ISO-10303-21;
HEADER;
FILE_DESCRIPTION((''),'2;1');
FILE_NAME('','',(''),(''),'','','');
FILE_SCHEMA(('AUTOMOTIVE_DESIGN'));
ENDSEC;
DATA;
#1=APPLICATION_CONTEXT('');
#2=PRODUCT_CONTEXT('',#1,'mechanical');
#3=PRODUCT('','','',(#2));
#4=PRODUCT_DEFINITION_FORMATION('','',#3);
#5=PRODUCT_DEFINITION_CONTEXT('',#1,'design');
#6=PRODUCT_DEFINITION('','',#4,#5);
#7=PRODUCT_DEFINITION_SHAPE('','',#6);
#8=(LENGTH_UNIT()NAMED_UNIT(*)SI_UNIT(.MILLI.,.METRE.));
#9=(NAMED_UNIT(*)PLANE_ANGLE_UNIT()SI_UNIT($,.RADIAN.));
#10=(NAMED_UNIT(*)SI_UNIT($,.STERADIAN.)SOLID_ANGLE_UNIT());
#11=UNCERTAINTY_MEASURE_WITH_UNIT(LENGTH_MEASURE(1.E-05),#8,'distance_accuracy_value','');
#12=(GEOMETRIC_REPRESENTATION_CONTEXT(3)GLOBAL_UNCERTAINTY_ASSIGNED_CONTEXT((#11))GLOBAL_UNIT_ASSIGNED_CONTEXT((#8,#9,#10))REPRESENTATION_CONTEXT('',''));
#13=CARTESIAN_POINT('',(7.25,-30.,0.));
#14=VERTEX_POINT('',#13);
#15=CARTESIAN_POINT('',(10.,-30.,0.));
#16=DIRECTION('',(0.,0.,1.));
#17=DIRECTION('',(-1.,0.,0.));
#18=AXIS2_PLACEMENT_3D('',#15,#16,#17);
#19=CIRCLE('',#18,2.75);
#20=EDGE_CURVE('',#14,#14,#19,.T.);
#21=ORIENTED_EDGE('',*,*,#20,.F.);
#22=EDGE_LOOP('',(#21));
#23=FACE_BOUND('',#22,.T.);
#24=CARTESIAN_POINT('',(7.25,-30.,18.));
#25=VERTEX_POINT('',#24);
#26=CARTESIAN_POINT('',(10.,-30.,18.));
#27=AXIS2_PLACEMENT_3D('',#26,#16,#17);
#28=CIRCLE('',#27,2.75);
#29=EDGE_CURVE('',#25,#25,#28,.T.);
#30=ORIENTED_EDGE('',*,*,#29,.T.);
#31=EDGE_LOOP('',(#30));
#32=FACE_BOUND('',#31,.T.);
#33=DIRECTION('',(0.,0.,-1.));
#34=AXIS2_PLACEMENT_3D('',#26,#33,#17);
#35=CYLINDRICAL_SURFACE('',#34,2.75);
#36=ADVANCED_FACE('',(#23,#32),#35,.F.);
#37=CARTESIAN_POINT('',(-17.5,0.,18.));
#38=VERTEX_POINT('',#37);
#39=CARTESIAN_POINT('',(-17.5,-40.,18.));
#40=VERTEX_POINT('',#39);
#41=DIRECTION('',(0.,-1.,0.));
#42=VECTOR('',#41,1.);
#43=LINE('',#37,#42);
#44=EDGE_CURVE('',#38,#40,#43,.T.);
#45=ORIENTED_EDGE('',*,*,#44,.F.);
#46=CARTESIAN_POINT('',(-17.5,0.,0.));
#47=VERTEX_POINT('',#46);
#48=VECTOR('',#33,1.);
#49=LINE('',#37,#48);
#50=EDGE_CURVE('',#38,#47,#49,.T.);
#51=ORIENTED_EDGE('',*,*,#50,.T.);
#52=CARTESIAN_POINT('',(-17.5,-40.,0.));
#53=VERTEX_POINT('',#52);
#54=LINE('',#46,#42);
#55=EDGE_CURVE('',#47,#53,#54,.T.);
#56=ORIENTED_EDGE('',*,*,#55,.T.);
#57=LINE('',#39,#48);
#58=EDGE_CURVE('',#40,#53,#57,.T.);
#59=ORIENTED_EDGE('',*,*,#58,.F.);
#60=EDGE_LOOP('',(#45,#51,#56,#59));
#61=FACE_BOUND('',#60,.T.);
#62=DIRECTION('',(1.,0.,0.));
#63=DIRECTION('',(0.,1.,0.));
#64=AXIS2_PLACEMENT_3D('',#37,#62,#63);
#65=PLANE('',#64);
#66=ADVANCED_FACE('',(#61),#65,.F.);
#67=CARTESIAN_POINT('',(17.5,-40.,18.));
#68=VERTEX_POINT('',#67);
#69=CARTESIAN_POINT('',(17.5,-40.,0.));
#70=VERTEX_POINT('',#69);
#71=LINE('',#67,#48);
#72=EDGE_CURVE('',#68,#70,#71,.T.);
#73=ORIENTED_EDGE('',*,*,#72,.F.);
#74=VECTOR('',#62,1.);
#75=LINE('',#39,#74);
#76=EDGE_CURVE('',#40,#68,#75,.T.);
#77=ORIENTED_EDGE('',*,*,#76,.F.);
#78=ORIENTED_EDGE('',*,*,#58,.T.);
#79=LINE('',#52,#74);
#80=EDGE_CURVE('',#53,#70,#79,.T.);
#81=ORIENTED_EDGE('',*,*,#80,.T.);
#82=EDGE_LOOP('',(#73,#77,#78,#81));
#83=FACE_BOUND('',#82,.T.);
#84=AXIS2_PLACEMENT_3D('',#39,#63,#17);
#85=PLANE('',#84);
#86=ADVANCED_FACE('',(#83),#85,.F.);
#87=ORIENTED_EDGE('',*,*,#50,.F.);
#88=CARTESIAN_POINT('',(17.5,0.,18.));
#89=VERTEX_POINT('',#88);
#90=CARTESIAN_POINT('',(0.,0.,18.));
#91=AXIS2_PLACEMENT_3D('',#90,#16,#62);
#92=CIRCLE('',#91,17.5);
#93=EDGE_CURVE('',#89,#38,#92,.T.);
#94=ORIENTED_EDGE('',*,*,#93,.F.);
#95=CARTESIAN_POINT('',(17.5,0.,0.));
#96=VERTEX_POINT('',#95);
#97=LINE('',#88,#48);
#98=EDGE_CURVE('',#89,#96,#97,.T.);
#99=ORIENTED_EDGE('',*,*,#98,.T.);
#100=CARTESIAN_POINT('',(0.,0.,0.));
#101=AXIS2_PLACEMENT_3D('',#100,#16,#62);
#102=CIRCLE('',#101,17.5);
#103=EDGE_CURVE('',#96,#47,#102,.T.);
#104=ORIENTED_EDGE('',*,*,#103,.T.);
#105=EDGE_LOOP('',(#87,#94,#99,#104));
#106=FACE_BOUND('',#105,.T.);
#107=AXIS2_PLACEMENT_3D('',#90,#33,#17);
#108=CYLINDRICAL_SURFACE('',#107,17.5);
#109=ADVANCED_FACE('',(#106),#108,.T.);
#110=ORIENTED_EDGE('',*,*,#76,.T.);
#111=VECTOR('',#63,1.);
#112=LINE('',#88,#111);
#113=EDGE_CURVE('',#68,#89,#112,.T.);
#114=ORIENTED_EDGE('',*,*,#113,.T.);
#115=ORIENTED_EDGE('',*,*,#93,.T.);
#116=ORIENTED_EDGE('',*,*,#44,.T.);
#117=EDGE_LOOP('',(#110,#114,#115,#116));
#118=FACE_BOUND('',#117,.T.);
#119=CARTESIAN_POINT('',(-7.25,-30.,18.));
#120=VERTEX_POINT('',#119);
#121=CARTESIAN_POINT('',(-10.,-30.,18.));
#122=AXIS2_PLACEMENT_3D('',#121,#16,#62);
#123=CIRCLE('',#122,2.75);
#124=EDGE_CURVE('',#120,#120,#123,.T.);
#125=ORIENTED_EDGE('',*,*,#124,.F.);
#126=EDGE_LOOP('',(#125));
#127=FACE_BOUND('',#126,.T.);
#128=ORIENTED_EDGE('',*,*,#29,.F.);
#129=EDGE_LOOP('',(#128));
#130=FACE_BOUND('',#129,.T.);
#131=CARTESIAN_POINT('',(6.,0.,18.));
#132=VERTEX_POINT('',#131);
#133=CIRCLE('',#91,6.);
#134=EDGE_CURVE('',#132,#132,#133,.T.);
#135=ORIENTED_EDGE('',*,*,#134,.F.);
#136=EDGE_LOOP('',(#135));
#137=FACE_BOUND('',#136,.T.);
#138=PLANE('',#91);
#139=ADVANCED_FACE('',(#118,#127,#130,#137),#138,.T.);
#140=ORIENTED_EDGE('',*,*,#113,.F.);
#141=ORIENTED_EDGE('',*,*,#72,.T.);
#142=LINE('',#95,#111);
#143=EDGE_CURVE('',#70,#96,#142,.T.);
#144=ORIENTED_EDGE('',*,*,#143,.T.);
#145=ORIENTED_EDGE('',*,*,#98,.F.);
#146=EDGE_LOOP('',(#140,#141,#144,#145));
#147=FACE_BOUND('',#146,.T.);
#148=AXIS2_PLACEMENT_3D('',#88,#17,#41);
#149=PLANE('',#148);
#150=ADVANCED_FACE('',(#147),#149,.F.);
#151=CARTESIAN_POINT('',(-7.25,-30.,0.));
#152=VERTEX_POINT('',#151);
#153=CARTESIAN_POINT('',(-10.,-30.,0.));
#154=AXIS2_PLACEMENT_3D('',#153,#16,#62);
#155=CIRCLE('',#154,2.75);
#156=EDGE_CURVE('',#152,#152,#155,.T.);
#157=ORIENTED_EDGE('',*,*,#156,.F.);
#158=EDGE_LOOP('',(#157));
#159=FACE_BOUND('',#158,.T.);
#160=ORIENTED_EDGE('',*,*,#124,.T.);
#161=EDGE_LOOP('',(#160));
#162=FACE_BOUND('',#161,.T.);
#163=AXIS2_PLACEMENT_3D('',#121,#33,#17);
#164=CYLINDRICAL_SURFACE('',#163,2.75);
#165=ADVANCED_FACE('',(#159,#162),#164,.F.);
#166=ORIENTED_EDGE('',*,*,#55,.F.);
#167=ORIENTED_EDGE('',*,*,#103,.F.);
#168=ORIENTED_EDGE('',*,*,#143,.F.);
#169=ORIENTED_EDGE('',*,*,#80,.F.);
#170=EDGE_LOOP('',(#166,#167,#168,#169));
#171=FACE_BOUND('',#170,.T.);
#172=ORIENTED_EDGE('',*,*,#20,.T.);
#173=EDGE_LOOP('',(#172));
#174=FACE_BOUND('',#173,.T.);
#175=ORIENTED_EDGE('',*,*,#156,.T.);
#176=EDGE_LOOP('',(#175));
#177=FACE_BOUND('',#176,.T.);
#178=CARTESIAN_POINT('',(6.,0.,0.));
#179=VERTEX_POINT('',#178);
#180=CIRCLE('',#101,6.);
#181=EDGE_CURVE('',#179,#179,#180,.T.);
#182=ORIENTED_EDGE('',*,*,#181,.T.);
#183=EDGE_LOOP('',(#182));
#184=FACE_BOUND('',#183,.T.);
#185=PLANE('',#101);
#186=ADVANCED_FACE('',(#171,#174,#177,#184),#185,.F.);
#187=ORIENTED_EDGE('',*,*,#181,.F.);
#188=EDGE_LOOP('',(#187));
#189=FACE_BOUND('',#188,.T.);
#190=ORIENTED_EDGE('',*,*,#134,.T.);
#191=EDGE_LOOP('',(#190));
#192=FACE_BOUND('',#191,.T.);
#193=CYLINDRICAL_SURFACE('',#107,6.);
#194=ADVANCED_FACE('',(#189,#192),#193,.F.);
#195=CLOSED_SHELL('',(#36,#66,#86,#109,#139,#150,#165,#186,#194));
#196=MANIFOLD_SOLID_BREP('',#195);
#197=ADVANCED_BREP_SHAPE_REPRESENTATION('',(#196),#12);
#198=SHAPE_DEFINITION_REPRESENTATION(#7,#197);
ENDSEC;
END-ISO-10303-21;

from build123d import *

# Parameters (mm, degrees)
SKETCH_1_R      = 6
SKETCH_1_R_2    = 2.75
EXTRUDE_1_DEPTH = 18


with BuildPart() as part:
    # 草图1 → 凸台-拉伸1 (new body)
    with BuildSketch(Plane.XY):
        with BuildLine():
            Line((-17.5, 0), (-17.5, -40))
            Line((-17.5, -40), (17.5, -40))
            Line((17.5, -40), (17.5, 0))
            ThreePointArc((17.5, 0), (0, 17.5), (-17.5, 0))
        make_face()
        Circle(SKETCH_1_R, mode=Mode.SUBTRACT)
        with Locations((-10, -30)):
            Circle(SKETCH_1_R_2, mode=Mode.SUBTRACT)
        with Locations((10, -30)):
            Circle(SKETCH_1_R_2, mode=Mode.SUBTRACT)
    extrude(amount=EXTRUDE_1_DEPTH)


solid = part.part
